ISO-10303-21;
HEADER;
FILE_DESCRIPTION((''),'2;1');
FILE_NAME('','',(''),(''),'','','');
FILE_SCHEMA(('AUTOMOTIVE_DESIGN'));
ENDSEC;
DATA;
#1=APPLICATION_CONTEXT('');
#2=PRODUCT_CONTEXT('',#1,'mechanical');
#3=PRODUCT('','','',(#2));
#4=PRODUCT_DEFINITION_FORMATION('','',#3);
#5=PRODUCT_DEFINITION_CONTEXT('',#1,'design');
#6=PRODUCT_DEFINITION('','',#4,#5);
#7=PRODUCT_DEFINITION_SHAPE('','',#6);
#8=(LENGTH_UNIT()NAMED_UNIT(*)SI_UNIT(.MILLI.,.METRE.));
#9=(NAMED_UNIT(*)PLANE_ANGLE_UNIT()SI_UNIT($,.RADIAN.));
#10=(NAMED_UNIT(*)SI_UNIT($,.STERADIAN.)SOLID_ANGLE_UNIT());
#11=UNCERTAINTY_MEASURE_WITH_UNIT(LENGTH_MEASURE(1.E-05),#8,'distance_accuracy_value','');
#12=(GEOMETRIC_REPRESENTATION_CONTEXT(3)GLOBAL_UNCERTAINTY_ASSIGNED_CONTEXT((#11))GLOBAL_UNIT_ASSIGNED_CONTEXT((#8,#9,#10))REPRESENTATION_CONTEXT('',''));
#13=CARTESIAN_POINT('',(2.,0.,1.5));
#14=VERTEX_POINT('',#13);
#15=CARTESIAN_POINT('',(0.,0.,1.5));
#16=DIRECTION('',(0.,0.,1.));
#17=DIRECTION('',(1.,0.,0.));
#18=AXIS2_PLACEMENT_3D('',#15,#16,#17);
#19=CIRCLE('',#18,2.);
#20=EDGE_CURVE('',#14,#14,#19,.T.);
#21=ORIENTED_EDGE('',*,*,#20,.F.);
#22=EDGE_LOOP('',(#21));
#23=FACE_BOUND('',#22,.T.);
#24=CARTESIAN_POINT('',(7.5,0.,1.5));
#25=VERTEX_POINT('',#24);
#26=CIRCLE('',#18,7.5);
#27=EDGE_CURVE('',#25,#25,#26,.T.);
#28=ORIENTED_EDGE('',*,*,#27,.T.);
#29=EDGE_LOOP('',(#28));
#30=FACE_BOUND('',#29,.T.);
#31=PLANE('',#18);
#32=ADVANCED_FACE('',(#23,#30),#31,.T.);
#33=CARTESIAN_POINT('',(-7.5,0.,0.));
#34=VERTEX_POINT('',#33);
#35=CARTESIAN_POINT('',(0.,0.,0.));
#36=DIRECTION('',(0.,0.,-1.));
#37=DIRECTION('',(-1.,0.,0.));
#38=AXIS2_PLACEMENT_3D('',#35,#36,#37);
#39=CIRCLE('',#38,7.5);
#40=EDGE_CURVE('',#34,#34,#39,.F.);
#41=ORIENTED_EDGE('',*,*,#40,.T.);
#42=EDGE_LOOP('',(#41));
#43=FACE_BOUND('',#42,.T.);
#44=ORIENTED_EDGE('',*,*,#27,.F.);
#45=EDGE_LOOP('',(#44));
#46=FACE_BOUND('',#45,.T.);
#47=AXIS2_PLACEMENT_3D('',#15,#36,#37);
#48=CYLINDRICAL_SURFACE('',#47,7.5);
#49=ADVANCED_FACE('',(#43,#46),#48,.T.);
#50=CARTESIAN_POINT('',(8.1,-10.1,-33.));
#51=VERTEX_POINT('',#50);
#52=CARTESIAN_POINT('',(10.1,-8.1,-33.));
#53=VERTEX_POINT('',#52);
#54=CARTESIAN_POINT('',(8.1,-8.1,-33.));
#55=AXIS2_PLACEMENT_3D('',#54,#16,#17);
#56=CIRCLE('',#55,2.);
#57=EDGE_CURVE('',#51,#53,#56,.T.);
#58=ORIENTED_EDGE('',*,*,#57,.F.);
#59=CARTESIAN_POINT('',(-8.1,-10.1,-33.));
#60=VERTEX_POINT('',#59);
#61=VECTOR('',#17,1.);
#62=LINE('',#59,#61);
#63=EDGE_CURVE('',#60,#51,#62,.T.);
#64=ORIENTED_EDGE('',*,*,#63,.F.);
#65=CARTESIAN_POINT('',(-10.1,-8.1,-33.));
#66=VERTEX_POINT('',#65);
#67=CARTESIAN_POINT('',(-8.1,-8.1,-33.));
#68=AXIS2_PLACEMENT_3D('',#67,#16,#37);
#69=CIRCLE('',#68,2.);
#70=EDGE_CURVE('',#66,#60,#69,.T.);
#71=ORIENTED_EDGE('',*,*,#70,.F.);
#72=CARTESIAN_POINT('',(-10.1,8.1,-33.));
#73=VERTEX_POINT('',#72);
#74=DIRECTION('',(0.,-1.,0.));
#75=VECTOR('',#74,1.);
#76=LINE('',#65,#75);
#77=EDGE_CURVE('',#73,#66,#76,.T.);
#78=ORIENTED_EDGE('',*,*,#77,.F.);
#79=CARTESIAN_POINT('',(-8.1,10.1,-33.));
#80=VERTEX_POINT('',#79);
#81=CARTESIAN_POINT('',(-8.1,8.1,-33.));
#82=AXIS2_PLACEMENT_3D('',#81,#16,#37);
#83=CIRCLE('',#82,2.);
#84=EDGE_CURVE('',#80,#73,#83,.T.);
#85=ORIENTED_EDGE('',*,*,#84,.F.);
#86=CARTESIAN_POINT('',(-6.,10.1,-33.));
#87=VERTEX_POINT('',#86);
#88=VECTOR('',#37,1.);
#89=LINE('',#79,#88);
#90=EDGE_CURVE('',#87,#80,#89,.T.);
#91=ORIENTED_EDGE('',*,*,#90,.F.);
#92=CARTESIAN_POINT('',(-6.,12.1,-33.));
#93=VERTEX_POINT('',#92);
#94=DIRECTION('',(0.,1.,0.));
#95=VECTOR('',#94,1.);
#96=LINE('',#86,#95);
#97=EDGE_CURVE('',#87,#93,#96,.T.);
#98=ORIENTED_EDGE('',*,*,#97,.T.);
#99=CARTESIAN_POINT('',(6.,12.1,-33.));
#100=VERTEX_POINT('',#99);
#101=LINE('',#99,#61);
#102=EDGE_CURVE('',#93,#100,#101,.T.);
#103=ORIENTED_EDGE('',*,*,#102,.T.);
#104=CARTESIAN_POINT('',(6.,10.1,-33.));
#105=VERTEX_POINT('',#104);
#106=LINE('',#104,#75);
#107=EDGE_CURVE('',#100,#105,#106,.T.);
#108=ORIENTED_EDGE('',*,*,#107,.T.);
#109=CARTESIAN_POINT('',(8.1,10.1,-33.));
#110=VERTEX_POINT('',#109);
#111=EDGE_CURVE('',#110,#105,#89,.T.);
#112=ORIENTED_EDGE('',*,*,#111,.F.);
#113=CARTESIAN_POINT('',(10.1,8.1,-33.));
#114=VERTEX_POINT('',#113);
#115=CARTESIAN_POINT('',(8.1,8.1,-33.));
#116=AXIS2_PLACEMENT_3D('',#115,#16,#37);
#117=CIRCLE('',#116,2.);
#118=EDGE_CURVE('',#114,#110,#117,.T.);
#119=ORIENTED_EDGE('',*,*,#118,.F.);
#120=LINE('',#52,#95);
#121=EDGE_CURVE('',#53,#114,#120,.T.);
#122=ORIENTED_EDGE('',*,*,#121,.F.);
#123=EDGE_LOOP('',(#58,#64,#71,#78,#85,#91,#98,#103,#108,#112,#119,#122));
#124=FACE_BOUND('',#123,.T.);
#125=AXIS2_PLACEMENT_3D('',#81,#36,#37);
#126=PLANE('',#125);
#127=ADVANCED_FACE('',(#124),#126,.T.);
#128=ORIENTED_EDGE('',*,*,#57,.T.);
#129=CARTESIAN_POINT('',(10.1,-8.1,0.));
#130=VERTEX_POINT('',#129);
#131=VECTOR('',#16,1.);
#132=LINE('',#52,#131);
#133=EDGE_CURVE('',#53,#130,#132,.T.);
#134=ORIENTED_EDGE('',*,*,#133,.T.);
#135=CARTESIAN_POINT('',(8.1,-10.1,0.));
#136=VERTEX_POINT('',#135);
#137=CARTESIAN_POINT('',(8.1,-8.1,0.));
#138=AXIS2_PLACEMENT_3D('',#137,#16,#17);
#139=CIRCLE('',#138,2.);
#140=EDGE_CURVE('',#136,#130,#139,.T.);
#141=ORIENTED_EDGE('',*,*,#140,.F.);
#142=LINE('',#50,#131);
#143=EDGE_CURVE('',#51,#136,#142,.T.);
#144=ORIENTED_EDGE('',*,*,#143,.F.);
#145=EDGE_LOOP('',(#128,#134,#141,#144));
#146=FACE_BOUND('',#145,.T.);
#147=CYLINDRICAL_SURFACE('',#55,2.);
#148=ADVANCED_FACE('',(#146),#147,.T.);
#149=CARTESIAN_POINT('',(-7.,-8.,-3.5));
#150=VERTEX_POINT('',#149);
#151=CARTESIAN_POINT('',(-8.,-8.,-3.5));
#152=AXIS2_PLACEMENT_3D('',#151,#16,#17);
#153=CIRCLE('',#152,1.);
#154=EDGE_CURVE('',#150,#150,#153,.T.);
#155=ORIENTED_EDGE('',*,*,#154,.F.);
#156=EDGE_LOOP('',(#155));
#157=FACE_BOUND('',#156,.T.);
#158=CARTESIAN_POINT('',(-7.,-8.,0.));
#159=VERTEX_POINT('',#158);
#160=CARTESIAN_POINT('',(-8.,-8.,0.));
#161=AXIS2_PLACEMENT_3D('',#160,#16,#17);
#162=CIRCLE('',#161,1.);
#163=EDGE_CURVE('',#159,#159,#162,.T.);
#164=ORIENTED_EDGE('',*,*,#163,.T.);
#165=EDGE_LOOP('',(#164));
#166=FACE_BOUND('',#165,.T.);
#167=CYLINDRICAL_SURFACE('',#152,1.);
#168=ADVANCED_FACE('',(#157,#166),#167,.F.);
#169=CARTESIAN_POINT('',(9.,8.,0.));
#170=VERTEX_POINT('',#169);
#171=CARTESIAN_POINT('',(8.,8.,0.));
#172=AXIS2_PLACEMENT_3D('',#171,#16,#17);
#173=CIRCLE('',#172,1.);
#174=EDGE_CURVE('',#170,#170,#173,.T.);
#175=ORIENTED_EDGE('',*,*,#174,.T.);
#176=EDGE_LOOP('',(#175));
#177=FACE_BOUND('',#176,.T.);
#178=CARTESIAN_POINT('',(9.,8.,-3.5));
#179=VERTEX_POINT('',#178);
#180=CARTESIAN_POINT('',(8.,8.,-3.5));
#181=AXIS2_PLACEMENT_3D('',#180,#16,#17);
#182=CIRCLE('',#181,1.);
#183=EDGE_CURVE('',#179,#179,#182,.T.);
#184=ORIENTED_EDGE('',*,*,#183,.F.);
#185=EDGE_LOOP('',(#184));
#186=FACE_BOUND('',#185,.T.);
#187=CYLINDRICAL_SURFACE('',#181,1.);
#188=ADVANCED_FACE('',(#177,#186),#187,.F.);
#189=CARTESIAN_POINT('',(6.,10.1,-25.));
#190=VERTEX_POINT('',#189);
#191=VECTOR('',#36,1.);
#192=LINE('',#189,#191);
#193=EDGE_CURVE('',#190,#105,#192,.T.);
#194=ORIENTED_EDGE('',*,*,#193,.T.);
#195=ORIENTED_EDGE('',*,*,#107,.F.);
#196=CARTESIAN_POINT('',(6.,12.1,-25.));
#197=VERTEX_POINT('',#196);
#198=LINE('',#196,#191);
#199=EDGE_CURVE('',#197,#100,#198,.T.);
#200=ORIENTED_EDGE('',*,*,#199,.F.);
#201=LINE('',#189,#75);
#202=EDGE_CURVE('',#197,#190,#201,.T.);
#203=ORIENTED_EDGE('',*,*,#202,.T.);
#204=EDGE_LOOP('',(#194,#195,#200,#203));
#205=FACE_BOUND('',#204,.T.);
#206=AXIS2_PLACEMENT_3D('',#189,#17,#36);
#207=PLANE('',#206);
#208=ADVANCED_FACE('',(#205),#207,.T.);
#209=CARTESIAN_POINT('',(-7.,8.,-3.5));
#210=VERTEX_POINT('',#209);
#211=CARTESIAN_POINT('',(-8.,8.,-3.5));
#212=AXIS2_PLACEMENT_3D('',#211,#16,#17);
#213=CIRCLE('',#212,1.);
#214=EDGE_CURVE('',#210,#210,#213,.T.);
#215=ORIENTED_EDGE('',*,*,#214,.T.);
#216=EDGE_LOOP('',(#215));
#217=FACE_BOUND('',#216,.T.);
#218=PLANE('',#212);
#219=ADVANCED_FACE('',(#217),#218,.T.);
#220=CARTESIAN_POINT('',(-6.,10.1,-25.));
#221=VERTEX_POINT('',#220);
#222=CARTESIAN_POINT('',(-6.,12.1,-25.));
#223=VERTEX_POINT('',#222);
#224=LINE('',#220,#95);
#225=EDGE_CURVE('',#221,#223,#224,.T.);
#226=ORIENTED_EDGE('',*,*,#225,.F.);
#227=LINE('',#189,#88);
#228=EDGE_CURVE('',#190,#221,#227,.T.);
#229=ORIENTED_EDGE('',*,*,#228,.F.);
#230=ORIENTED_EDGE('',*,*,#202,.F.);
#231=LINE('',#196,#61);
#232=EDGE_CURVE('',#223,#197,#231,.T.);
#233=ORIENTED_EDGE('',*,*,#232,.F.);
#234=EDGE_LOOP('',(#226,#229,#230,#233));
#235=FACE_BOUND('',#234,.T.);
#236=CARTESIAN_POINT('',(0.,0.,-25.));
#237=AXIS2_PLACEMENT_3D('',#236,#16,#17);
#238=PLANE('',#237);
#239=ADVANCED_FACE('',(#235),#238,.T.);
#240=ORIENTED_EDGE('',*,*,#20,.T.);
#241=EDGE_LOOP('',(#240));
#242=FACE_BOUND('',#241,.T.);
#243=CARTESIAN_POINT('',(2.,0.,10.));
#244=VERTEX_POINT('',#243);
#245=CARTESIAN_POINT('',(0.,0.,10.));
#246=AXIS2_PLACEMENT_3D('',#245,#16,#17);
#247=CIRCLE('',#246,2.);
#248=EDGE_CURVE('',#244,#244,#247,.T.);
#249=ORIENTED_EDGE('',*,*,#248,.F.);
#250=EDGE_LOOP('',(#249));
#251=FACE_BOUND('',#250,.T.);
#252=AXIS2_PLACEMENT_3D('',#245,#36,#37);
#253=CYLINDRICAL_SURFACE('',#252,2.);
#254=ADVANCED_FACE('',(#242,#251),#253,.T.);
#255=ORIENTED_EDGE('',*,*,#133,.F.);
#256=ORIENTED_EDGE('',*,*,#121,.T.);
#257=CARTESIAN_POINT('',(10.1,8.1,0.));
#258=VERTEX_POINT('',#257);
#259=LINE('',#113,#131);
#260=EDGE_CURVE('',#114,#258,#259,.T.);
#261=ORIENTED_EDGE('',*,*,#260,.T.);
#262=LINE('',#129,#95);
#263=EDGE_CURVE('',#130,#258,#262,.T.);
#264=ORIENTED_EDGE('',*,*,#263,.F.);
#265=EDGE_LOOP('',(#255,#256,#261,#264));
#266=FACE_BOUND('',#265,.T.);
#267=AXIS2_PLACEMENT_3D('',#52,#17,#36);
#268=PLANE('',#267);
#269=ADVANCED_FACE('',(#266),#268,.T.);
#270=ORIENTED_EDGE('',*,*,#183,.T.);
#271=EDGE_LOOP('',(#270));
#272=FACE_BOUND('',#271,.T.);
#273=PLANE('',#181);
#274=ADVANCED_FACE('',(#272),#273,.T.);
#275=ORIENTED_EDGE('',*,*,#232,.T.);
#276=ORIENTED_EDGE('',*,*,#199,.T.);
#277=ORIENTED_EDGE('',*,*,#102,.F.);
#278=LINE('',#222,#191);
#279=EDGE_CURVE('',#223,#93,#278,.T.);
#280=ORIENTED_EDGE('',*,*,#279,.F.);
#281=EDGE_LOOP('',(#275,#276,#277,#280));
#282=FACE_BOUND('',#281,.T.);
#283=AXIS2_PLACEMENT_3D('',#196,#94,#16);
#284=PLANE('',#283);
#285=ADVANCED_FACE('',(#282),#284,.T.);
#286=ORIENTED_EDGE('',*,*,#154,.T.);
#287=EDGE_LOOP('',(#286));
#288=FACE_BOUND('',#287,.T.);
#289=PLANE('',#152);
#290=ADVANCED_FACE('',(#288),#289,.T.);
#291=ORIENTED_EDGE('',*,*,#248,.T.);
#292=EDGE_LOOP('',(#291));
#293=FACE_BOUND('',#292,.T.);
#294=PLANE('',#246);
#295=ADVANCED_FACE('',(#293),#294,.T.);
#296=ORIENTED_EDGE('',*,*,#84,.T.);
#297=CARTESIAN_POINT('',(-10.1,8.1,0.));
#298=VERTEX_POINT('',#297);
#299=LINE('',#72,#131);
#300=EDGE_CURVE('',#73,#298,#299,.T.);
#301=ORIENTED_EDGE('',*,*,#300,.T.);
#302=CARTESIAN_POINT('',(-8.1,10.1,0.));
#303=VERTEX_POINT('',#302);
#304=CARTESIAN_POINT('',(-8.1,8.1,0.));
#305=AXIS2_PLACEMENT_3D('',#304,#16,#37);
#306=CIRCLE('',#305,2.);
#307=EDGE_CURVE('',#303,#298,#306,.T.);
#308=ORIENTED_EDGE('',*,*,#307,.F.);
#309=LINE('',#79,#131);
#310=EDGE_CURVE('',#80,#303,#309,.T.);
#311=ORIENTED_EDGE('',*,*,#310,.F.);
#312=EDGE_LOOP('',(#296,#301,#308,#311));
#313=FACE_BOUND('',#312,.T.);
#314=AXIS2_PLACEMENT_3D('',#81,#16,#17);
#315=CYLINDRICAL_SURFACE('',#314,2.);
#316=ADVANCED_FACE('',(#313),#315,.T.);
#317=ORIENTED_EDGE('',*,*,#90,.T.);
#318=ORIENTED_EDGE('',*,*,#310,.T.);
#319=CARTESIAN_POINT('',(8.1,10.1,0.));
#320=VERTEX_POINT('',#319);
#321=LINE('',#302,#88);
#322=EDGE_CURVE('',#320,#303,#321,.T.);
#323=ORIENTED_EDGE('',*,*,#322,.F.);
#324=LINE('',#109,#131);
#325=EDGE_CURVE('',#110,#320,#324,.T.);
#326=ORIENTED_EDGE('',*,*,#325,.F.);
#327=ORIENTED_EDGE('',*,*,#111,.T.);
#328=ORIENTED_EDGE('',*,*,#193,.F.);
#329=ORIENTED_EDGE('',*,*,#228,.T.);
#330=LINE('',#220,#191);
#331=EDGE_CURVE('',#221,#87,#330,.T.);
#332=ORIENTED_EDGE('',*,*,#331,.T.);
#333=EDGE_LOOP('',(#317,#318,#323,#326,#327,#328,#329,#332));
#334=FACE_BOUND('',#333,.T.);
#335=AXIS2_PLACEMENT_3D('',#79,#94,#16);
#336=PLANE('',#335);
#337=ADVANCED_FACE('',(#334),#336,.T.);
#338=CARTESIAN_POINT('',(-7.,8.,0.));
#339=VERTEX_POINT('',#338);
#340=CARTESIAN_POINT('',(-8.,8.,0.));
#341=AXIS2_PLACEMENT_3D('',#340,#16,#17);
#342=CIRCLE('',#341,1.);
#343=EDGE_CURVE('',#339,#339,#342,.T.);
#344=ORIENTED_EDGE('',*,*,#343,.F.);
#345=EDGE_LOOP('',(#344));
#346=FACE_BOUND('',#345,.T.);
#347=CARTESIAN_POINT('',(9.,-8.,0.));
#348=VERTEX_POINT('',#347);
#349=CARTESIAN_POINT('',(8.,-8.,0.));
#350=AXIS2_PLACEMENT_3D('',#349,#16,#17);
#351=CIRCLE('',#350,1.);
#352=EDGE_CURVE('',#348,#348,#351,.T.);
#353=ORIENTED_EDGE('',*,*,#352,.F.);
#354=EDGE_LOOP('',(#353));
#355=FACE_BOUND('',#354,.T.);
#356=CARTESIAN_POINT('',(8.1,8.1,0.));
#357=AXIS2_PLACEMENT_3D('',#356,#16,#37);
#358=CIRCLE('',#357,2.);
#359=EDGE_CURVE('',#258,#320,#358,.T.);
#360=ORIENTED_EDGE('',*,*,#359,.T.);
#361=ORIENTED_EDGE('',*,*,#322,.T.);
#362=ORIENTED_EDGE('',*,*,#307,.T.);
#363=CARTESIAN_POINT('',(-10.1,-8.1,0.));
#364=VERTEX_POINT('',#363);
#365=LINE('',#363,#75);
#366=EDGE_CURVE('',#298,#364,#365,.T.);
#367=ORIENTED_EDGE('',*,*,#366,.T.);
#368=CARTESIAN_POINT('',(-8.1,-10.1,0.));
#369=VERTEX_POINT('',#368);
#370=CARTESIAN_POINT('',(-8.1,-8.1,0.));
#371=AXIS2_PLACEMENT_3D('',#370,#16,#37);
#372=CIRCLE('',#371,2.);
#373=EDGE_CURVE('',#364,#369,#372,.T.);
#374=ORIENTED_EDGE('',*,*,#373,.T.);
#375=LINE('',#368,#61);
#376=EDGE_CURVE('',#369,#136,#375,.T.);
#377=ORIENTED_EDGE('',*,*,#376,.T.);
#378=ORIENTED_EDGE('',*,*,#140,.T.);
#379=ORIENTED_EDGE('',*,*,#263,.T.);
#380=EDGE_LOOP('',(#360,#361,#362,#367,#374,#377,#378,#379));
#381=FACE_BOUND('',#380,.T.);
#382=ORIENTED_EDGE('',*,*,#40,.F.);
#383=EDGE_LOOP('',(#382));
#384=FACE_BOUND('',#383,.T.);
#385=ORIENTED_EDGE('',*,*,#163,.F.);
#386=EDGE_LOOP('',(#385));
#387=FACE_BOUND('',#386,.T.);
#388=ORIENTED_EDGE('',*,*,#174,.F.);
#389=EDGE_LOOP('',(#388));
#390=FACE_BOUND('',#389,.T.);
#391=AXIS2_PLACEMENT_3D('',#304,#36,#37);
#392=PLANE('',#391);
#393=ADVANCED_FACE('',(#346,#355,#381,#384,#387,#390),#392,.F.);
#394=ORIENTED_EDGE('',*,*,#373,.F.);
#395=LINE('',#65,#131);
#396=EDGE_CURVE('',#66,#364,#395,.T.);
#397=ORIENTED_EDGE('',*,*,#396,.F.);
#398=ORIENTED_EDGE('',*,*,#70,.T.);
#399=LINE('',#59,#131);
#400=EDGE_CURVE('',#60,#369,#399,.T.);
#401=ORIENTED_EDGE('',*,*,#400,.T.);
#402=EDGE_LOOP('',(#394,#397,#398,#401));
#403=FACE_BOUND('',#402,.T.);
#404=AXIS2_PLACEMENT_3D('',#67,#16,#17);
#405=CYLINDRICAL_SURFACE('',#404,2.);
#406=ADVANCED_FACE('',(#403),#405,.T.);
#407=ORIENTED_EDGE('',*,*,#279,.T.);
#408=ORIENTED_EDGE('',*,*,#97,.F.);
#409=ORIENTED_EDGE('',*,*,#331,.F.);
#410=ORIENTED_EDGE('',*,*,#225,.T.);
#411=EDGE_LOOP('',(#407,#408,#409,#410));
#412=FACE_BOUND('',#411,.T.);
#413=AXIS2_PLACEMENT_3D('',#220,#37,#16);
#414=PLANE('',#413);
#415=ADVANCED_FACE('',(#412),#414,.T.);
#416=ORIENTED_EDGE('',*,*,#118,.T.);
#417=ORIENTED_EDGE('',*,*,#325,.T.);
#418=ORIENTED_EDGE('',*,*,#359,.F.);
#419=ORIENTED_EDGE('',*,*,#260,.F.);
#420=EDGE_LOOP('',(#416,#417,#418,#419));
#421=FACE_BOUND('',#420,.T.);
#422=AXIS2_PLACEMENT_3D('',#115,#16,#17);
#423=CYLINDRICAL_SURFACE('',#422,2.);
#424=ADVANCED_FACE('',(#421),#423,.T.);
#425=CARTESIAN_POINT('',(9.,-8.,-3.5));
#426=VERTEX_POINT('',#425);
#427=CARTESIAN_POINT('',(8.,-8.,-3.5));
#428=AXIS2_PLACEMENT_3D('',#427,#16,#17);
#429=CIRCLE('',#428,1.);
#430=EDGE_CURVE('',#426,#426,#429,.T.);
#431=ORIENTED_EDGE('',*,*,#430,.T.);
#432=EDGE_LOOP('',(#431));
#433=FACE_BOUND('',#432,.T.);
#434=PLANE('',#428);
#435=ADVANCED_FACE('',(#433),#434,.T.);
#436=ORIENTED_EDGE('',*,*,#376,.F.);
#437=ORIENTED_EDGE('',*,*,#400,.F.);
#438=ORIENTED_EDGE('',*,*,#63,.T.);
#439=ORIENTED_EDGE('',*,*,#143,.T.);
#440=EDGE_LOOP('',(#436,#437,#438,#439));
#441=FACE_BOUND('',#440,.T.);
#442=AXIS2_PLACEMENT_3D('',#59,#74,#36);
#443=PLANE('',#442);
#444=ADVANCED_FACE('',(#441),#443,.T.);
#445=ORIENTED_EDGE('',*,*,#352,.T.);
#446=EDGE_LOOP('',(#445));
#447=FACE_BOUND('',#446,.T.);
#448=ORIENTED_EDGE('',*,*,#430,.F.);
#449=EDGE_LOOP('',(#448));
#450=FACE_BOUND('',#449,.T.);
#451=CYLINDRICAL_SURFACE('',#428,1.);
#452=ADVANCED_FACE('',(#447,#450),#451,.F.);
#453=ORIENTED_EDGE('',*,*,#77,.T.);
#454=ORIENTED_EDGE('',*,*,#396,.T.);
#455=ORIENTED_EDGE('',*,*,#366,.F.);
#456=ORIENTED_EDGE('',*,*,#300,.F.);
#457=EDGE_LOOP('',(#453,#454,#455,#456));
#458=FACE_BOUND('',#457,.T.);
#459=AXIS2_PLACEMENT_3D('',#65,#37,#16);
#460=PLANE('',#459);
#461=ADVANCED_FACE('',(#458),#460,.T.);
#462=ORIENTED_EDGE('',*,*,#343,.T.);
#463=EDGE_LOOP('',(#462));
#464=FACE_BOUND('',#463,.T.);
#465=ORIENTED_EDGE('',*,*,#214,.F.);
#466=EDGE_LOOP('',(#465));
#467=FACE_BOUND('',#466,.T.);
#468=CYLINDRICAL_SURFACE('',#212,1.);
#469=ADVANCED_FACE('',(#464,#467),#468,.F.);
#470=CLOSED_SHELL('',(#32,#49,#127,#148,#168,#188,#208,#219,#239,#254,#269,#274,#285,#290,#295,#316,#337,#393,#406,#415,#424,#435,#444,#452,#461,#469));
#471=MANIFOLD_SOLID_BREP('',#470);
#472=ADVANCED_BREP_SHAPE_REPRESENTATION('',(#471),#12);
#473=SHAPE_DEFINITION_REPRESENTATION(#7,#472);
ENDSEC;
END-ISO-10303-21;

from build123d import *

# Parameters (mm, degrees)
BOSS_EXTRUDE1_DEPTH = 33
SKETCH2_R           = 1
CUT_EXTRUDE1_DEPTH  = 3.5
SKETCH3_W           = 12
SKETCH3_H           = 2
BOSS_EXTRUDE2_DEPTH = 8
SKETCH4_R           = 7.5
BOSS_EXTRUDE3_DEPTH = 1.5
SKETCH5_R           = 2
BOSS_EXTRUDE4_DEPTH = 8.5


with BuildPart() as part:
    # Sketch1 → Boss-Extrude1 (new body)
    with BuildSketch(Plane.XY):
        with BuildLine():
            Line((-8.1, -10.1), (8.1, -10.1))
            ThreePointArc((8.1, -10.1), (9.514213562, -9.514213562), (10.1, -8.1))
            Line((10.1, -8.1), (10.1, 8.1))
            ThreePointArc((10.1, 8.1), (9.514213562, 9.514213562), (8.1, 10.1))
            Line((8.1, 10.1), (-8.1, 10.1))
            ThreePointArc((-8.1, 10.1), (-9.514213562, 9.514213562), (-10.1, 8.1))
            Line((-10.1, 8.1), (-10.1, -8.1))
            ThreePointArc((-10.1, -8.1), (-9.514213562, -9.514213562), (-8.1, -10.1))
        make_face()
    extrude(amount=-BOSS_EXTRUDE1_DEPTH)

    # Sketch2 → Cut-Extrude1 (cut)
    with BuildSketch(Plane.XY):
        with Locations((-8, 8)):
            Circle(SKETCH2_R)
        with Locations((8, 8)):
            Circle(SKETCH2_R)
        with Locations((8, -8)):
            Circle(SKETCH2_R)
        with Locations((-8, -8)):
            Circle(SKETCH2_R)
    extrude(amount=-CUT_EXTRUDE1_DEPTH, mode=Mode.SUBTRACT)

    # Sketch3 → Boss-Extrude2 (add)
    with BuildSketch(Plane(origin=(0, 0, -33), x_dir=(-1, 0, 0), z_dir=(0, 0, -1))):
        with Locations((0, 11.1)):
            Rectangle(SKETCH3_W, SKETCH3_H)
    extrude(amount=-BOSS_EXTRUDE2_DEPTH)

    # Sketch4 → Boss-Extrude3 (add)
    with BuildSketch(Plane.XY):
        with Locations(Location((0, 0, 0), (0, 0, 180))):
            Circle(SKETCH4_R)
    extrude(amount=BOSS_EXTRUDE3_DEPTH)

    # Sketch5 → Boss-Extrude4 (add)
    with BuildSketch(Plane.XY.offset(1.5)):
        Circle(SKETCH5_R)
    extrude(amount=BOSS_EXTRUDE4_DEPTH)


solid = part.part
